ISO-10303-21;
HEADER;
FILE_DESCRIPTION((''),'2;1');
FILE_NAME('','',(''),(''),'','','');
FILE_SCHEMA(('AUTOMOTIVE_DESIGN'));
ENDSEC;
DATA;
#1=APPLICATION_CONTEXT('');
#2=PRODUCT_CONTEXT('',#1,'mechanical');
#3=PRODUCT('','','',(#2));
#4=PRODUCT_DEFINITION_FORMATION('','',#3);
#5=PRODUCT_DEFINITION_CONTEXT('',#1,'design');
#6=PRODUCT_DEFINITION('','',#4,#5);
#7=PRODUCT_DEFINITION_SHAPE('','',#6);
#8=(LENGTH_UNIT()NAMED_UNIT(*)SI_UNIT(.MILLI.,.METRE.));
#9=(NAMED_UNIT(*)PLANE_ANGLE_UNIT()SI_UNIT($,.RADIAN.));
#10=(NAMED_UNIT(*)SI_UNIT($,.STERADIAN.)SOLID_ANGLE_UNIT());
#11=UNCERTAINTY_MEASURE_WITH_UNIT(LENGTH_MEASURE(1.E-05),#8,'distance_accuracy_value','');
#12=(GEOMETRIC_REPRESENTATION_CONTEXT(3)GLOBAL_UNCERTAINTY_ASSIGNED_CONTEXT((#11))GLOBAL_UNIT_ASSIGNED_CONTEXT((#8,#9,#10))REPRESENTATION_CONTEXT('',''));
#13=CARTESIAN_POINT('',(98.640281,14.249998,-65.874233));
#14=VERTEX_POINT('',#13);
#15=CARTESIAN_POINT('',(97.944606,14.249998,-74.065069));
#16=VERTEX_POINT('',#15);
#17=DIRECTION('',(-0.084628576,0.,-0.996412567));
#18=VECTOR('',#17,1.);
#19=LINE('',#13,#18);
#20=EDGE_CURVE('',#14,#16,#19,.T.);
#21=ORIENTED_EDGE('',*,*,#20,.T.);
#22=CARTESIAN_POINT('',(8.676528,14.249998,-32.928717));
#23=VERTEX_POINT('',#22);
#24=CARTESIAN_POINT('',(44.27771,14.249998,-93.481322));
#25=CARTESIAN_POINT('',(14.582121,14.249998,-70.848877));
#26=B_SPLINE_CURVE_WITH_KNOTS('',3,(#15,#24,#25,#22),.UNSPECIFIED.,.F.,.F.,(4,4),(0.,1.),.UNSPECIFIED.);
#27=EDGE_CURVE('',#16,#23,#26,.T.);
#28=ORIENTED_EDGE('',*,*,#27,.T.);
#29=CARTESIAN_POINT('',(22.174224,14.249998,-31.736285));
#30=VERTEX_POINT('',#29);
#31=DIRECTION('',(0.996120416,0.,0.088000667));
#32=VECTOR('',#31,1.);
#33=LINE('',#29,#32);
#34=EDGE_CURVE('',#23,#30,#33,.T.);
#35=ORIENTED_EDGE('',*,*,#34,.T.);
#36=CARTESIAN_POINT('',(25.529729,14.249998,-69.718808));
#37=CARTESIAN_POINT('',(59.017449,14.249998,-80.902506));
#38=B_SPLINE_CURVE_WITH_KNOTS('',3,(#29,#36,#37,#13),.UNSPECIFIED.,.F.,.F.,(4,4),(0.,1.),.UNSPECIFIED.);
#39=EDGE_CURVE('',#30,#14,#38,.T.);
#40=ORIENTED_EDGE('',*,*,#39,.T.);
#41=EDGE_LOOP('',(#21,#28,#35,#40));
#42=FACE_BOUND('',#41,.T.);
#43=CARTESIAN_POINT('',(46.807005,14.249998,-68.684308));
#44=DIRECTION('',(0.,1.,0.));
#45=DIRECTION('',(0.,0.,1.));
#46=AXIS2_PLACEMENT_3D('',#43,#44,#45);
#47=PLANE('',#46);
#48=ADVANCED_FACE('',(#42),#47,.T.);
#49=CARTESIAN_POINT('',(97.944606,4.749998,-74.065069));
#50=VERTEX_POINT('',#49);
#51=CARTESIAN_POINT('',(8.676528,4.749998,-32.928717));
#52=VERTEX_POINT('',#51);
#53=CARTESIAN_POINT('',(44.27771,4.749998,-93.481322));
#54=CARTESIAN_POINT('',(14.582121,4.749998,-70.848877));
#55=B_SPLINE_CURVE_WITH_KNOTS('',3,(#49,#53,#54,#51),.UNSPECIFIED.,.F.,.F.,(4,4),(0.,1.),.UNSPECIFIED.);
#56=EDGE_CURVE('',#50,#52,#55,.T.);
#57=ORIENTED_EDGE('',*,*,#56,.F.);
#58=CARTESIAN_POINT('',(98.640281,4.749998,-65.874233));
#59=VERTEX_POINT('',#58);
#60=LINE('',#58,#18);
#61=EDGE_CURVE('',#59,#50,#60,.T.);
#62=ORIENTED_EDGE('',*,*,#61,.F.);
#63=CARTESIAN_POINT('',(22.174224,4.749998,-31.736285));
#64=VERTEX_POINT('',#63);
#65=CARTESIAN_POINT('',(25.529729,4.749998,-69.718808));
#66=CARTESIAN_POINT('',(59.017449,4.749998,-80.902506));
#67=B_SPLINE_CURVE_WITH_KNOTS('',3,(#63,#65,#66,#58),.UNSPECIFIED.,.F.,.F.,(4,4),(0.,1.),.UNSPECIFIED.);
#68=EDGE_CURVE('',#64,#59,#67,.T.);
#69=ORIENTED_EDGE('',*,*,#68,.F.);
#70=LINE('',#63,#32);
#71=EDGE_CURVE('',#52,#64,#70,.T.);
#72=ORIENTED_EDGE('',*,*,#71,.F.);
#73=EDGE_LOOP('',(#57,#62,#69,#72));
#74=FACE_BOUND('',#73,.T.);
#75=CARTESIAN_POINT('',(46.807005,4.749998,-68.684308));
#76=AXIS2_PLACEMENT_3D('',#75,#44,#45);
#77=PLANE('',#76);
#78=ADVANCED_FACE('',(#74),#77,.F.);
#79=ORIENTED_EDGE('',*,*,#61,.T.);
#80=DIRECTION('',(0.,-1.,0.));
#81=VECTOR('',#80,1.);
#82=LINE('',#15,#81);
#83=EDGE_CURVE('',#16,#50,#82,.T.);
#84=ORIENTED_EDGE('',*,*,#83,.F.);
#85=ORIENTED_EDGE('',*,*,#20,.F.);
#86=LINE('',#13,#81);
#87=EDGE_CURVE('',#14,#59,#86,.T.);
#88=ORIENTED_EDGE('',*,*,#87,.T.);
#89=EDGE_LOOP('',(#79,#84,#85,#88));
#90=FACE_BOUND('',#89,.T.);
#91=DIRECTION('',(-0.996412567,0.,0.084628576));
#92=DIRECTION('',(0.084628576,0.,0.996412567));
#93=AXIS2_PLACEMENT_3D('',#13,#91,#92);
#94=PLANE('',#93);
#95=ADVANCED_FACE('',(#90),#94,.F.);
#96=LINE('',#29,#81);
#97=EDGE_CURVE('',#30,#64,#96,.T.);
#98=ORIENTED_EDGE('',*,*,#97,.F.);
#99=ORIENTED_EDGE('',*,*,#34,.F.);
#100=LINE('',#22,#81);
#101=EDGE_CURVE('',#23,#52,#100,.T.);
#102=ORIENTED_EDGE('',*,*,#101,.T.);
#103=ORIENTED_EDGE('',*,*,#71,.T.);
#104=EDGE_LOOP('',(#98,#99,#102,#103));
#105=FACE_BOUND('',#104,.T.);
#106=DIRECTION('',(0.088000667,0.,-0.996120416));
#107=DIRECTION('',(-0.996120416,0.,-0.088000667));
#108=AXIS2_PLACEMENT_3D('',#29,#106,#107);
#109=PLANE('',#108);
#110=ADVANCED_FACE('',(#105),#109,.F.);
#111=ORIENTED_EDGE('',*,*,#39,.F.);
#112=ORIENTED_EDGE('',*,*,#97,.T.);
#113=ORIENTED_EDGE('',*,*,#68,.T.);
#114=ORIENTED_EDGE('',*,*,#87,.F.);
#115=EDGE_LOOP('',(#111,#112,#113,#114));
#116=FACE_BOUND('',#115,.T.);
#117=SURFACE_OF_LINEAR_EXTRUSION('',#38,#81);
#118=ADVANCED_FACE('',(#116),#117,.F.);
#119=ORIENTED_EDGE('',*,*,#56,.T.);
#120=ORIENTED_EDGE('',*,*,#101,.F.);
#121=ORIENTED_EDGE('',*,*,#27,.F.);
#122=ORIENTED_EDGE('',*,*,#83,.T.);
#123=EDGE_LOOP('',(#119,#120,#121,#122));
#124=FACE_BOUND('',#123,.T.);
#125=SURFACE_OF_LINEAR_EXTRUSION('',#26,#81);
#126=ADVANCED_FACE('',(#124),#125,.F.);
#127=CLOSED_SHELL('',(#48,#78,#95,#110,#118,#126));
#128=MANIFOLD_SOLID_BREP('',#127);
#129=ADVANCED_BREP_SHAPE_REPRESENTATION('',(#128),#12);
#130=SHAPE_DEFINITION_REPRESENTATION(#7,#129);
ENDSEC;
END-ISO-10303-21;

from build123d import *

# Parameters (mm, degrees)
BOSS_EXTRUDE1_DEPTH = 19
SCALE1_SCALE        = 0.5


with BuildPart() as part:
    # Sketch1 → Boss-Extrude1 (new body)
    with BuildSketch(Plane(origin=(0, 0, 0), x_dir=(1, 0, 0), z_dir=(0, 1, 0))):
        with BuildLine():
            Line((0, 0), (-26.995391357, 2.384864734))
            add(Edge.make_bspline(
                [(-26.995391357, 2.384864734), (-15.184205607, 78.225184909), (44.206971658, 123.490073632), (151.540763876, 84.657568149)],
                knots=[0, 0, 0, 0, 1, 1, 1, 1], degree=3))
            Line((151.540763876, 84.657568149), (152.932112852, 68.275895853))
            add(Edge.make_bspline(
                [(0, 0), (6.711010618, 75.965045512), (73.686450741, 98.332442943), (152.932112852, 68.275895853)],
                knots=[0, 0, 0, 0, 1, 1, 1, 1], degree=3))
        make_face()
    extrude(amount=BOSS_EXTRUDE1_DEPTH)


with BuildPart() as part_1:
    # Scale1: scaled about (44.348424998, 9.5, -63.472666271)
    add(part.part.scale(SCALE1_SCALE).moved(Location((22.174212499, 4.75, -31.736333136))))


solid = part_1.part
